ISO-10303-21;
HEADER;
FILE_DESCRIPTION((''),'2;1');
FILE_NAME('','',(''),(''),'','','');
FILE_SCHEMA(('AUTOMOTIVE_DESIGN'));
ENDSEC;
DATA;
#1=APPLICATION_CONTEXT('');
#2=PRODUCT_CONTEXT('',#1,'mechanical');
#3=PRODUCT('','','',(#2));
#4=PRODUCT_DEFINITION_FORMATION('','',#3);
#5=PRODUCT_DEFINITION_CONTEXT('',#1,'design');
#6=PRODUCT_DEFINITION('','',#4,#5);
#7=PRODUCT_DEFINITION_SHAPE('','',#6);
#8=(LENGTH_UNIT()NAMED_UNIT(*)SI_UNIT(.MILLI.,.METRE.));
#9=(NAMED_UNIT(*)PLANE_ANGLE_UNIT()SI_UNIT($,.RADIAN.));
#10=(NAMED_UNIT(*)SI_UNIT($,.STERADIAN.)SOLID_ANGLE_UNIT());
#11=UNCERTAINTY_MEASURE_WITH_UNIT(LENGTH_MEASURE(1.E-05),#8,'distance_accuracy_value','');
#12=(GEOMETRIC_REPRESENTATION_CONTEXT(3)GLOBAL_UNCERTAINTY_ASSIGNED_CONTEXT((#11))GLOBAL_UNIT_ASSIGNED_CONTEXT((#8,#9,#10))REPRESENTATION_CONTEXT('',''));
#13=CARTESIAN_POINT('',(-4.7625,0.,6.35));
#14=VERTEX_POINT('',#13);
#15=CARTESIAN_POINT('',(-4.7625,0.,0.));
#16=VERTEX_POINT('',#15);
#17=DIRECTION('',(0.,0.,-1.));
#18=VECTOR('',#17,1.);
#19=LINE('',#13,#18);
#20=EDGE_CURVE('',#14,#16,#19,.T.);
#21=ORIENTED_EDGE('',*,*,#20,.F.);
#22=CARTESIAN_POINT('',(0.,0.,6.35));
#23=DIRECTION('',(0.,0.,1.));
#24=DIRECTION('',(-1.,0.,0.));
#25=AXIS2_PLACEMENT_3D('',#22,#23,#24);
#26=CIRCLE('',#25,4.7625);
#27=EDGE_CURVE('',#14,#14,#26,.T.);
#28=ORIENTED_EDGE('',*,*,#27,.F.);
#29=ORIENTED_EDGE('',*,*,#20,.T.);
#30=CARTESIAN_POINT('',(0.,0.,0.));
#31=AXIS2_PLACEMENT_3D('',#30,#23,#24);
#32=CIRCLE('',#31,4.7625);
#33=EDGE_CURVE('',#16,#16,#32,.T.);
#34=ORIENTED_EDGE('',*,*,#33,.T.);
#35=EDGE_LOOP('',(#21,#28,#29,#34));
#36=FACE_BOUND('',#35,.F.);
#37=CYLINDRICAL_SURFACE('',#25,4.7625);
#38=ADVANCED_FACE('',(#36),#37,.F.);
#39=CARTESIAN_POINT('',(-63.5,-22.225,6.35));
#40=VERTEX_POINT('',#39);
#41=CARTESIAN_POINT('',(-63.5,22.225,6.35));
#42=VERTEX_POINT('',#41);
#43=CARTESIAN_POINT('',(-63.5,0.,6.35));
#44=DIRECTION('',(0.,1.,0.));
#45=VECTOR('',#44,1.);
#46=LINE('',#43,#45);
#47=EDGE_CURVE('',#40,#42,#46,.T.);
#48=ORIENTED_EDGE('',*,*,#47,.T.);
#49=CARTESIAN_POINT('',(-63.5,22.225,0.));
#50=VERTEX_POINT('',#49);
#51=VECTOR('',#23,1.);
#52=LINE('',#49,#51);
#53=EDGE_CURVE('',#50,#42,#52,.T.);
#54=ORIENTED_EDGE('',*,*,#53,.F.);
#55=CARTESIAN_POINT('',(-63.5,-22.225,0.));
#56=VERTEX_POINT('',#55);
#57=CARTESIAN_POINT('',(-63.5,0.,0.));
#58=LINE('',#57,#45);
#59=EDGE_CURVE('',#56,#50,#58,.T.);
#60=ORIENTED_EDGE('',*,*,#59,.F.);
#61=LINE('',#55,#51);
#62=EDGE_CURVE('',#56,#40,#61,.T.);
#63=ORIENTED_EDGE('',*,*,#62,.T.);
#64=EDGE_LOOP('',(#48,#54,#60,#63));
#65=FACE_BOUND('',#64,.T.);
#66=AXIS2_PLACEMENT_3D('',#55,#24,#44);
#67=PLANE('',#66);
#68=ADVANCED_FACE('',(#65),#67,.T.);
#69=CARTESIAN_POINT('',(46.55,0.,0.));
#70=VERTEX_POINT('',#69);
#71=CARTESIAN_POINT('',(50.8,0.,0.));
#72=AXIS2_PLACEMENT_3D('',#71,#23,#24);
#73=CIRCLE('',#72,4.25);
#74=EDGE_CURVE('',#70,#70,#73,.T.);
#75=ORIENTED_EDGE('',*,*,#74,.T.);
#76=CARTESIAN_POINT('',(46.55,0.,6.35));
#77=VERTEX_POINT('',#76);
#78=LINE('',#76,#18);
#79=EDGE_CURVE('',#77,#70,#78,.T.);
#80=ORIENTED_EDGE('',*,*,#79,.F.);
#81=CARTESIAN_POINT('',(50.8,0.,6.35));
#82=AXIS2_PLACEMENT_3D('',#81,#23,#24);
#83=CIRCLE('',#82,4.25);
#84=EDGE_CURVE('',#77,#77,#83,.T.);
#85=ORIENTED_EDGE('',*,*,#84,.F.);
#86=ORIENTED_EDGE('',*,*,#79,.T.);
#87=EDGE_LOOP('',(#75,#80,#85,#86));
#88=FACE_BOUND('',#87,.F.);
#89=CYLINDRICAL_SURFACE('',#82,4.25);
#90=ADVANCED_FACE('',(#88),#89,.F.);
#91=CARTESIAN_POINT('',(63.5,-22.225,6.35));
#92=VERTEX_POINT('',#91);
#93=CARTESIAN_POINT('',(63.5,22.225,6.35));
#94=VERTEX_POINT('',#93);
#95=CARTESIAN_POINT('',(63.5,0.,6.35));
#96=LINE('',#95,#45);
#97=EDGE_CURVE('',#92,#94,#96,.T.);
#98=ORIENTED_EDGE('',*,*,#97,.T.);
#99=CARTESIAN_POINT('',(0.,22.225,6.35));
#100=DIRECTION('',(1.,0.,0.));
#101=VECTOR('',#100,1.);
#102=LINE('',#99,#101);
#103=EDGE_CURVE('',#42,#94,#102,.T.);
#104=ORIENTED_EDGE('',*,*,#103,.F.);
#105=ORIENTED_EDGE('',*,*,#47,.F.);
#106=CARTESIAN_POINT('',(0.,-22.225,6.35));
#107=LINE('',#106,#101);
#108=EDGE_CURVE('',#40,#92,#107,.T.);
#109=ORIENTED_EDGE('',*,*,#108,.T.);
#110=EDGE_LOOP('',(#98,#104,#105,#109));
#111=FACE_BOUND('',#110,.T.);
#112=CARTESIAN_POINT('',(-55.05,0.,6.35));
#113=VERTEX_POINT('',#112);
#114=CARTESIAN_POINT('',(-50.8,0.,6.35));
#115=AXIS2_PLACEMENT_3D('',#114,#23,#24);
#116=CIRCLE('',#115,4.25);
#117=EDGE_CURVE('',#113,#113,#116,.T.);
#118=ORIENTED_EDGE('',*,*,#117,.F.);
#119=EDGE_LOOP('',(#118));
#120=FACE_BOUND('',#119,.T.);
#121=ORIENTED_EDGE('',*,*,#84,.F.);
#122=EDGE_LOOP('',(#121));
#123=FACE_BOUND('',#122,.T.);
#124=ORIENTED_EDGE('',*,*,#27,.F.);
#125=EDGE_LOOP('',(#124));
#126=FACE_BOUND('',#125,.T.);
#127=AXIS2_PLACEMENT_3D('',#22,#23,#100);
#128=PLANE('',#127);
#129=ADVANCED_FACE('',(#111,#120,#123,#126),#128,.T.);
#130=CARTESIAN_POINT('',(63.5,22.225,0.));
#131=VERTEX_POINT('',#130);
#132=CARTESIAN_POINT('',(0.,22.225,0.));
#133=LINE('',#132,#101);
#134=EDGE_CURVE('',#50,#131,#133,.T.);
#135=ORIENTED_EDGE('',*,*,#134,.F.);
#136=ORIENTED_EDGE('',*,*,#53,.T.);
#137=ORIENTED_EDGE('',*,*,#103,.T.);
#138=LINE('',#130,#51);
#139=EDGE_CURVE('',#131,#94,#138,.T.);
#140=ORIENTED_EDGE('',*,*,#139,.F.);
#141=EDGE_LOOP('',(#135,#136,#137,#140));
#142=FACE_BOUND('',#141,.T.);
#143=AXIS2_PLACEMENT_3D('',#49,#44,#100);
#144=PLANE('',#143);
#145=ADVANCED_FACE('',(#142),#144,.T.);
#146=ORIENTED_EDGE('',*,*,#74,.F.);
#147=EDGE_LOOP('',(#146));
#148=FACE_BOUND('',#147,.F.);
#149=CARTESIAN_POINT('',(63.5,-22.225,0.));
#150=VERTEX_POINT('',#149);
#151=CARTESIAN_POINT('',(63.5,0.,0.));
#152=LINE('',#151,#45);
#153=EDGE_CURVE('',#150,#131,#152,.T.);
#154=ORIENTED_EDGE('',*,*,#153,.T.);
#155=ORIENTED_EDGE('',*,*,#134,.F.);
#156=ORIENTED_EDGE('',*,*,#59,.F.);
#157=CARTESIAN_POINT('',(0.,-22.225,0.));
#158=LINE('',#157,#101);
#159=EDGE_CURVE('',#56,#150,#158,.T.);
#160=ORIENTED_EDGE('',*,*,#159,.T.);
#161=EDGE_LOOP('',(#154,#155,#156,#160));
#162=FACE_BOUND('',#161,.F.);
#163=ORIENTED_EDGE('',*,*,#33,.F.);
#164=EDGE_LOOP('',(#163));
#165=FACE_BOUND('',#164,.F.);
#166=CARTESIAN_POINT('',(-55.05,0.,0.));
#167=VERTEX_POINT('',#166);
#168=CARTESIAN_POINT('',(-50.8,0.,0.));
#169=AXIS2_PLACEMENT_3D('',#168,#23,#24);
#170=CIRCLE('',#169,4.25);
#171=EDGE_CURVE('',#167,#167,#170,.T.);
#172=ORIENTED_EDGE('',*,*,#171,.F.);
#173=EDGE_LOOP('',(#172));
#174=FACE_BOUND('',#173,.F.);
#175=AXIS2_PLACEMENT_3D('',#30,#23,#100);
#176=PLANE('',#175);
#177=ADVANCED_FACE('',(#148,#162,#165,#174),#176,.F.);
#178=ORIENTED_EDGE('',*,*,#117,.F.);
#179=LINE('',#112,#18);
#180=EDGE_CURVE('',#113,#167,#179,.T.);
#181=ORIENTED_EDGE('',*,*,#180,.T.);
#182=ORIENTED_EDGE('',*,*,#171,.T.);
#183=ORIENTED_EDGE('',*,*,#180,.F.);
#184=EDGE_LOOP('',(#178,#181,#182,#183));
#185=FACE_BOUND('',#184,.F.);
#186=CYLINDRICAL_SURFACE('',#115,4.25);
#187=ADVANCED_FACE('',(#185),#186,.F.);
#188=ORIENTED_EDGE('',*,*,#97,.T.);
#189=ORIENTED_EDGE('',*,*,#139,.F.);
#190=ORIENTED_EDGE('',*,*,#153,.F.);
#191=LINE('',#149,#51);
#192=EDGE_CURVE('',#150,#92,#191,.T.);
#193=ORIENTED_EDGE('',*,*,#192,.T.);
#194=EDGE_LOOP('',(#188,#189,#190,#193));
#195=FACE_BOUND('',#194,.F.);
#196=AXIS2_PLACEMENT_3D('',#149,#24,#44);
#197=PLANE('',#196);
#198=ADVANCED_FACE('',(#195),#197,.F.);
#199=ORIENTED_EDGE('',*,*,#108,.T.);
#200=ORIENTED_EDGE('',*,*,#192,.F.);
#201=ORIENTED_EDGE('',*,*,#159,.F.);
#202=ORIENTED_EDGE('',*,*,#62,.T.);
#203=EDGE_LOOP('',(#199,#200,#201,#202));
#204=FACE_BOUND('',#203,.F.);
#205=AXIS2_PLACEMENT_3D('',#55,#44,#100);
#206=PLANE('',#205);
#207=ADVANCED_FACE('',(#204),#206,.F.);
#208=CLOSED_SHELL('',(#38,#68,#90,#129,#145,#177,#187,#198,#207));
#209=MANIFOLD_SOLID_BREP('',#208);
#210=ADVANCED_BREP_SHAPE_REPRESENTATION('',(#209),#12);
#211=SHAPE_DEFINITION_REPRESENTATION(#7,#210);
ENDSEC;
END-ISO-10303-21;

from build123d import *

# Parameters (mm, degrees)
F0_W     = 127
F0_H     = 44.45
F1_DEPTH = 6.35
F3_DEPTH = 6.35


with BuildPart() as f1:
    # F0 (on Top) → F1 (new body)
    with BuildSketch(Plane.XY):
        Rectangle(F0_W, F0_H)
    extrude(amount=F1_DEPTH)

    # F2 (on face) → F3 (cut, through all)
    with BuildSketch(Plane.XY.offset(6.35)):
        with BuildLine():
            ThreePointArc((-46.55, 0), (-50.8, 4.25), (-55.05, 0))
            Line((-55.05, 0), (-46.55, 0))
        make_face()
        with BuildLine():
            ThreePointArc((55.05, 0), (50.8, 4.25), (46.55, 0))
            Line((46.55, 0), (55.05, 0))
        make_face()
        with BuildLine():
            Line((55.05, 0), (46.55, 0))
            ThreePointArc((46.55, 0), (50.8, -4.25), (55.05, 0))
        make_face()
        with BuildLine():
            ThreePointArc((4.7625, 0), (0, 4.7625), (-4.7625, 0))
            Line((-4.7625, 0), (4.7625, 0))
        make_face()
        with BuildLine():
            Line((4.7625, 0), (-4.7625, 0))
            ThreePointArc((-4.7625, 0), (0, -4.7625), (4.7625, 0))
        make_face()
        with BuildLine():
            Line((-46.55, 0), (-55.05, 0))
            ThreePointArc((-55.05, 0), (-50.8, -4.25), (-46.55, 0))
        make_face()
    extrude(amount=-F3_DEPTH, mode=Mode.SUBTRACT)


solid = f1.part
